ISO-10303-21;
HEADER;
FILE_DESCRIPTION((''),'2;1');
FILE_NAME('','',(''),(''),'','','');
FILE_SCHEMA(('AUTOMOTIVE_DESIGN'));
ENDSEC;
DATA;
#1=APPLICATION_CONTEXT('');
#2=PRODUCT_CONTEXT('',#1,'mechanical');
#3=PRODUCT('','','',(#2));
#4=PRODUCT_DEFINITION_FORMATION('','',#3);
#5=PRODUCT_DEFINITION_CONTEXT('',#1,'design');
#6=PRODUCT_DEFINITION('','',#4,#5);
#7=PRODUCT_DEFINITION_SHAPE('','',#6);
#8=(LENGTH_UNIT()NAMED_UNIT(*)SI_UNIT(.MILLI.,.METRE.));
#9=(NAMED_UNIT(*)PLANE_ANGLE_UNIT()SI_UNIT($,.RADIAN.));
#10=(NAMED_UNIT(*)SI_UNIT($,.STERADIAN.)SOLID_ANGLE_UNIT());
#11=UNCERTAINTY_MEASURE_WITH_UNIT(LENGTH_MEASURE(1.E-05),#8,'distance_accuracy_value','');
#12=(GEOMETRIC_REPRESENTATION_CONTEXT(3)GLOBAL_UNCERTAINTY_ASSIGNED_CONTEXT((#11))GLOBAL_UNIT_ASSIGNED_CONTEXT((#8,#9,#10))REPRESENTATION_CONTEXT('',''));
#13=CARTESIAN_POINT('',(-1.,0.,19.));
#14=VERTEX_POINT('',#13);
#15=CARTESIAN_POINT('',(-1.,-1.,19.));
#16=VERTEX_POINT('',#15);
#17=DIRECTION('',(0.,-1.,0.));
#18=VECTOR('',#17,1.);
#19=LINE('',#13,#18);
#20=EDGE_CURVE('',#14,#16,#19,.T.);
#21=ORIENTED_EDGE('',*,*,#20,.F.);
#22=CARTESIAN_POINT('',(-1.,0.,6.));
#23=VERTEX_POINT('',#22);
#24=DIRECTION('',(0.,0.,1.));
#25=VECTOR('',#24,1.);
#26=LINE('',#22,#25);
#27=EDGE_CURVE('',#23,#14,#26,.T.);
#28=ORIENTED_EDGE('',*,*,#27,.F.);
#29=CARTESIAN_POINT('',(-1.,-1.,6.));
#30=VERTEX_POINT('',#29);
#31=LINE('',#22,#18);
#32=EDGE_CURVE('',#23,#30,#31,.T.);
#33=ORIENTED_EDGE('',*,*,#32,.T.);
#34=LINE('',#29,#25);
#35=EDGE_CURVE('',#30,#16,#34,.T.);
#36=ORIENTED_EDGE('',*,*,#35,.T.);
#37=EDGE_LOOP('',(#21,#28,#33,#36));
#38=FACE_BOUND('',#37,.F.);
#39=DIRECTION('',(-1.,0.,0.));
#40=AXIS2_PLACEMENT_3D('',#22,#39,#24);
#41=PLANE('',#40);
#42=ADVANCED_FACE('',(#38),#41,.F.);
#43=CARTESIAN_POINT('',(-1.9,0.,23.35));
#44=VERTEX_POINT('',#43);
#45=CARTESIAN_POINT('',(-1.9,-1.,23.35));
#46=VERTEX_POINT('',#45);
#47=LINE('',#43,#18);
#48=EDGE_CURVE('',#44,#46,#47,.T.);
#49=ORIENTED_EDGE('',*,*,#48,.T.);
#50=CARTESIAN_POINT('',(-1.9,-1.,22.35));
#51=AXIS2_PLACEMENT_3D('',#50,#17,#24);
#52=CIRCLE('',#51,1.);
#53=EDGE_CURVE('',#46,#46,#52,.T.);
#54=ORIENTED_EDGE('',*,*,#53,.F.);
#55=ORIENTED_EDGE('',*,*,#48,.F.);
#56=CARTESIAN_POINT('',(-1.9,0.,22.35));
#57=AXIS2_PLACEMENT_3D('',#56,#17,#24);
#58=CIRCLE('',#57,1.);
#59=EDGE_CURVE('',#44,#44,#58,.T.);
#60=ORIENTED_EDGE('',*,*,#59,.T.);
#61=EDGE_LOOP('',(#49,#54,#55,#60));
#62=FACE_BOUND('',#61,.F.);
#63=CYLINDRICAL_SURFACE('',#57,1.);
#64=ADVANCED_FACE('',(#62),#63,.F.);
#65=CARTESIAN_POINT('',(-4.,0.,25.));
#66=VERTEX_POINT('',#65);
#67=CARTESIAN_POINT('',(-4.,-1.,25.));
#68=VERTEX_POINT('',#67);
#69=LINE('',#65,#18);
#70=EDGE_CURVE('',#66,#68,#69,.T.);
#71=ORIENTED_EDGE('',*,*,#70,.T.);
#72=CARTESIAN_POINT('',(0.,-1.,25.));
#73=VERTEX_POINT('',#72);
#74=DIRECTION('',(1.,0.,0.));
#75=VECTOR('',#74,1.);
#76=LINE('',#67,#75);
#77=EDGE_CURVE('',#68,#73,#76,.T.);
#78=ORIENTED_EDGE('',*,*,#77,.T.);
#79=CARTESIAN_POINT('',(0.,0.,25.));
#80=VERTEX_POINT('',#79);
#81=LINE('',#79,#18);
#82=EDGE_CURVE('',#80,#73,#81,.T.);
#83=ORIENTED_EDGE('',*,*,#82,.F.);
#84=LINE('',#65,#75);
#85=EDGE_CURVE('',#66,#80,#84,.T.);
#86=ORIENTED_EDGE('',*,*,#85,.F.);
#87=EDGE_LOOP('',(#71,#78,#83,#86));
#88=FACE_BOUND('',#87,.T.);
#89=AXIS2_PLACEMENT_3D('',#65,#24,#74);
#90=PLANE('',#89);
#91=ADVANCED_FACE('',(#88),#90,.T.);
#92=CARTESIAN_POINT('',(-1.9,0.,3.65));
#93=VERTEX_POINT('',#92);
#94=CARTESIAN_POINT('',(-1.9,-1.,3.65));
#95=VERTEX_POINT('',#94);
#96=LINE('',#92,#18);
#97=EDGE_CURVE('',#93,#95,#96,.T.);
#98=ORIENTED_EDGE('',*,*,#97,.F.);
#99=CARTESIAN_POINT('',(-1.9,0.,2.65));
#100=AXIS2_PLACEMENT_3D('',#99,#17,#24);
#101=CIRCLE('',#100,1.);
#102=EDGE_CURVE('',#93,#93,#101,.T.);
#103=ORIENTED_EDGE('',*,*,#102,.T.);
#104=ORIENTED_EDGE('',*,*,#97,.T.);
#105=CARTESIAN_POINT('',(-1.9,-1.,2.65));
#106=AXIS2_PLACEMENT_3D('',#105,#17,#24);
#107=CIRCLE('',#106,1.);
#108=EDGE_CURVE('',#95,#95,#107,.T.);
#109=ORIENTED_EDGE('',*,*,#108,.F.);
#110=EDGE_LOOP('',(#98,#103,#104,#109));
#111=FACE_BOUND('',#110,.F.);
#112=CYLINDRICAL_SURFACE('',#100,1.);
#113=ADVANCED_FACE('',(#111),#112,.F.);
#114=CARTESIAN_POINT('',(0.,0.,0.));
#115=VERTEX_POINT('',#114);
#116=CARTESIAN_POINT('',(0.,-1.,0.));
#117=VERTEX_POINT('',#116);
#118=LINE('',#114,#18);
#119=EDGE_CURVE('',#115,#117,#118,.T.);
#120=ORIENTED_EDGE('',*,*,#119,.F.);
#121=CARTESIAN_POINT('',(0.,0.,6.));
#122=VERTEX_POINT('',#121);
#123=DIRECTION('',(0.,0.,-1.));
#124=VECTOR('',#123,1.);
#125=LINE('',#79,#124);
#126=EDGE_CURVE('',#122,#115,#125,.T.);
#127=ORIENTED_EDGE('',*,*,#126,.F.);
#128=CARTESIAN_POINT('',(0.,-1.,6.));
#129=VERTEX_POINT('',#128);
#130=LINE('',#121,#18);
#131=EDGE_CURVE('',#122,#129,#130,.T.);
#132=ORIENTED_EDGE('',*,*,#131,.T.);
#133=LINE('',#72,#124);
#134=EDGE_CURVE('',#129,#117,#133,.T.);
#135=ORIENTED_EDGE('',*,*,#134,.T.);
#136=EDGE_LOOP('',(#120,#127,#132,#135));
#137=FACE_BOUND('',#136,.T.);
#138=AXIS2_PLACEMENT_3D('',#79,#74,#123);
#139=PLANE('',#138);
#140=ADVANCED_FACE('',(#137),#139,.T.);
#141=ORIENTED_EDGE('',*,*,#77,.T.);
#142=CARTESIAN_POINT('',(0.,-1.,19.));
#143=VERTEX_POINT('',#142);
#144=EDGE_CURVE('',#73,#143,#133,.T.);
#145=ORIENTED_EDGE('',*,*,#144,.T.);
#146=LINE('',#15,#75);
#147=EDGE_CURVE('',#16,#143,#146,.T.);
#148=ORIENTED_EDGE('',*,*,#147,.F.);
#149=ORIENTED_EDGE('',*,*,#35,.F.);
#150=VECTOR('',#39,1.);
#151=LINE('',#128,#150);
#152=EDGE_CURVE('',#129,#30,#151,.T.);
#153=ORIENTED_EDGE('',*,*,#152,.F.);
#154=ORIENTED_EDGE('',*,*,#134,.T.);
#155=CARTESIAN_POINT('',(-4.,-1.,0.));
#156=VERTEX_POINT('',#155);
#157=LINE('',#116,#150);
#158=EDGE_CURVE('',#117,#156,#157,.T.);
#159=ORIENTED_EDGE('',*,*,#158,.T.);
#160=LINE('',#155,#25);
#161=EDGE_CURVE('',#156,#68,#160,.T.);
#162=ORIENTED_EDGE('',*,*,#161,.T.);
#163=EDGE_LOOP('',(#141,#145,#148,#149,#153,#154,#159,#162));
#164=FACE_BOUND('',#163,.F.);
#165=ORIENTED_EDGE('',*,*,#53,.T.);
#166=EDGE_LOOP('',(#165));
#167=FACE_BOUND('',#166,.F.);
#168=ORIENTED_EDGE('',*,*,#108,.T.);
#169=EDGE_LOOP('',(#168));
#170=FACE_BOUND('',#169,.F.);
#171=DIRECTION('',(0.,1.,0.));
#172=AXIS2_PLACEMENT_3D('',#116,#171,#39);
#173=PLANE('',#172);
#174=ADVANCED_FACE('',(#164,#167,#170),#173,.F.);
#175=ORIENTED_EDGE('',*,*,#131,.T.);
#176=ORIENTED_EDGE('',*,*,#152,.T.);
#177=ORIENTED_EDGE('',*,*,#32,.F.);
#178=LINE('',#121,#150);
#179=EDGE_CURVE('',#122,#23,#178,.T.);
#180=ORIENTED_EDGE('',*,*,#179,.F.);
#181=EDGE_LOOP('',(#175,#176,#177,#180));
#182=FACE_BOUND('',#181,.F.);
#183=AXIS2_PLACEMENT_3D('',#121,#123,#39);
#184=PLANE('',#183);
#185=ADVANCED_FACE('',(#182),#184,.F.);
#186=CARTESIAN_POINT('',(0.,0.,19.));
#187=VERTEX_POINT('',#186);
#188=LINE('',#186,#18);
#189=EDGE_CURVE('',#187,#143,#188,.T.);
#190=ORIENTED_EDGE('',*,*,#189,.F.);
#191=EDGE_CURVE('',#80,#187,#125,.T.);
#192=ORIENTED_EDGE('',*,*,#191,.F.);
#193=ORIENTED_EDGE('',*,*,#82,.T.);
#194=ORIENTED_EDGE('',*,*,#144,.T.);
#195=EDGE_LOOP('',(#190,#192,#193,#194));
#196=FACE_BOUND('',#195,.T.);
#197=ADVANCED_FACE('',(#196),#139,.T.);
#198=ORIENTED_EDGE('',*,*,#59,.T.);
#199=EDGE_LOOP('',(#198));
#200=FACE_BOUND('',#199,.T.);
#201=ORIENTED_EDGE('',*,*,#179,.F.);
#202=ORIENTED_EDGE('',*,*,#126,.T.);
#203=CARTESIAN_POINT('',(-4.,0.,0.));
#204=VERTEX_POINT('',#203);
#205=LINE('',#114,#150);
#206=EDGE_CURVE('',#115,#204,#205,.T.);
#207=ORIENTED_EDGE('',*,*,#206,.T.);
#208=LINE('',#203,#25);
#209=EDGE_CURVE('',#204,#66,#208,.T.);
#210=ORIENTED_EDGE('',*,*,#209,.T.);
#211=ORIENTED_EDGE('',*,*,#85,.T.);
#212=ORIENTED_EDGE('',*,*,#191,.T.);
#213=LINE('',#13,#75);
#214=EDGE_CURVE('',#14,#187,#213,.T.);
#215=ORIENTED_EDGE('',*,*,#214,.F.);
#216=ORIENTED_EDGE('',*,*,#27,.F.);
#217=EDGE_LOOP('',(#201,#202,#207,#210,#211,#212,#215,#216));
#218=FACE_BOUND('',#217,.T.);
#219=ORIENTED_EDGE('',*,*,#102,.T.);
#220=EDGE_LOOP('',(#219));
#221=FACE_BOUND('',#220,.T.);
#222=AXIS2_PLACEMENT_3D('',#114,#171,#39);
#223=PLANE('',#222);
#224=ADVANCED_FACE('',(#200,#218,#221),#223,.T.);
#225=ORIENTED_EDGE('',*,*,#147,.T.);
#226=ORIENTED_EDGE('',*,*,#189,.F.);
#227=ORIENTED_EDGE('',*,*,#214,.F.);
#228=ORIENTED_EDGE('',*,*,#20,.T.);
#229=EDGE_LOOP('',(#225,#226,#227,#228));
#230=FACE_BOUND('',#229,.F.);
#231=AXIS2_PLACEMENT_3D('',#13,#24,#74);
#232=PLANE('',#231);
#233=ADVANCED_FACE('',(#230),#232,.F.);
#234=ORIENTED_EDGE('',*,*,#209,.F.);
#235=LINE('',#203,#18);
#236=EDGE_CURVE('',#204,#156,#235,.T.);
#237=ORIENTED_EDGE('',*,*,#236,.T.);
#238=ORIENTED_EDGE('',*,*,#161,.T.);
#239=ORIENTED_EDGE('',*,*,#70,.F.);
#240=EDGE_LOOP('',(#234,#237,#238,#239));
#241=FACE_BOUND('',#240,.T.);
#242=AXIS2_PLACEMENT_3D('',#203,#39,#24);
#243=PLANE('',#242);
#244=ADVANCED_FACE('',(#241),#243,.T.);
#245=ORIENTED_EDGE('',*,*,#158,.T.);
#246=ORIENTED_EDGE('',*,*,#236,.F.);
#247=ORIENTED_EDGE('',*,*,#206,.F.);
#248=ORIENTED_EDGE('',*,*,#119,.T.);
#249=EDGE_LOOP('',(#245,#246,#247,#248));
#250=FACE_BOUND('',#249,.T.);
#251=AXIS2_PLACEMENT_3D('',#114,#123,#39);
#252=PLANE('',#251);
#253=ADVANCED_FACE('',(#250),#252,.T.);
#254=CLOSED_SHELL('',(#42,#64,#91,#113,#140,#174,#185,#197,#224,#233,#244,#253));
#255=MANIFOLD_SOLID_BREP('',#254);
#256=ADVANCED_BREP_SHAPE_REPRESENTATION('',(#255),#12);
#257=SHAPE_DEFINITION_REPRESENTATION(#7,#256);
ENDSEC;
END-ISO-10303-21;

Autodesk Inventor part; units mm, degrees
ref_plane "YZ Plane" through (0, 0, 0) normal (1, 0, 0) x (0, 1, 0)
ref_plane "XZ Plane" through (0, 0, 0) normal (0, 1, 0) x (-1, 0, 0)
ref_plane "XY Plane" through (0, 0, 0) normal (0, 0, 1) x (1, 0, 0)
sketch "Sketch1" plane through (0, 0, 0) normal (0, 1, 0) x (-1, 0, 0)
  point P0 (0, 0)
sketch "Sketch2" plane through (0, 0, 0) normal (0, 1, 0) x (-1, 0, 0)
  line L0 (0, 0) -> (4, 0)
  line L1 (4, 0) -> (4, 25)
  line L2 (4, 25) -> (0, 25)
  line L3 (0, 25) -> (0, 0)
  point P0 (3, 0)
  point P1 (0, 6)
  point P2 (0, 19)
  dimension "d0" = 4
  dimension "d1" = 25
extrude "Extrusion1" add sketch "Sketch2" against normal blind 1
sketch "Sketch3" plane through (0, 0, 0) normal (0, 1, 0) x (-1, 0, 0)
  line L0 (1, 19) -> (0, 19)
  line L1 (0, 19) -> (0, 6)
  line L2 (0, 6) -> (1, 6)
  line L3 (1, 6) -> (1, 19)
  point P0 (0, 0)
  point P1 (0, 2.65)
  point P2 (0, 0)
  point P3 (0, 22.35)
  point P4 (-6.35, -25.4)
  point P5 (3, 25)
  point P6 (3, 22.35)
  point P7 (3, 2.65)
  dimension "d4" = 13
  dimension "d20" = 1
extrude "Extrusion2" cut sketch "Sketch3" against normal blind 1
sketch "Sketch6" plane through (0, 0, 0) normal (0, 1, 0) x (1, 0, 0)
  point P0 (0, 0)
sketch "Sketch7" plane through (0, 0, 0) normal (0, 1, 0) x (1, 0, 0)
  line L0 (-4, 0) -> (-4, -25) projected
  line L1 (-4, -25) -> (0, -25) projected
  point P0 (0, 0)
  point P1 (-1.9, -2.65)
  point P2 (-1.9, -22.35)
  dimension "d21" = 2.1
  dimension "d22" = 2.65
  dimension "d23" = 2.65
  dimension "d24" = 2.1
hole "Hole2" at (-1.9, 0, 2.65) at (-1.9, 0, 22.35) direction (0, -1, 0) diameter 2 depth 2 tip angle 118
properties part number "headplate_ephys"
